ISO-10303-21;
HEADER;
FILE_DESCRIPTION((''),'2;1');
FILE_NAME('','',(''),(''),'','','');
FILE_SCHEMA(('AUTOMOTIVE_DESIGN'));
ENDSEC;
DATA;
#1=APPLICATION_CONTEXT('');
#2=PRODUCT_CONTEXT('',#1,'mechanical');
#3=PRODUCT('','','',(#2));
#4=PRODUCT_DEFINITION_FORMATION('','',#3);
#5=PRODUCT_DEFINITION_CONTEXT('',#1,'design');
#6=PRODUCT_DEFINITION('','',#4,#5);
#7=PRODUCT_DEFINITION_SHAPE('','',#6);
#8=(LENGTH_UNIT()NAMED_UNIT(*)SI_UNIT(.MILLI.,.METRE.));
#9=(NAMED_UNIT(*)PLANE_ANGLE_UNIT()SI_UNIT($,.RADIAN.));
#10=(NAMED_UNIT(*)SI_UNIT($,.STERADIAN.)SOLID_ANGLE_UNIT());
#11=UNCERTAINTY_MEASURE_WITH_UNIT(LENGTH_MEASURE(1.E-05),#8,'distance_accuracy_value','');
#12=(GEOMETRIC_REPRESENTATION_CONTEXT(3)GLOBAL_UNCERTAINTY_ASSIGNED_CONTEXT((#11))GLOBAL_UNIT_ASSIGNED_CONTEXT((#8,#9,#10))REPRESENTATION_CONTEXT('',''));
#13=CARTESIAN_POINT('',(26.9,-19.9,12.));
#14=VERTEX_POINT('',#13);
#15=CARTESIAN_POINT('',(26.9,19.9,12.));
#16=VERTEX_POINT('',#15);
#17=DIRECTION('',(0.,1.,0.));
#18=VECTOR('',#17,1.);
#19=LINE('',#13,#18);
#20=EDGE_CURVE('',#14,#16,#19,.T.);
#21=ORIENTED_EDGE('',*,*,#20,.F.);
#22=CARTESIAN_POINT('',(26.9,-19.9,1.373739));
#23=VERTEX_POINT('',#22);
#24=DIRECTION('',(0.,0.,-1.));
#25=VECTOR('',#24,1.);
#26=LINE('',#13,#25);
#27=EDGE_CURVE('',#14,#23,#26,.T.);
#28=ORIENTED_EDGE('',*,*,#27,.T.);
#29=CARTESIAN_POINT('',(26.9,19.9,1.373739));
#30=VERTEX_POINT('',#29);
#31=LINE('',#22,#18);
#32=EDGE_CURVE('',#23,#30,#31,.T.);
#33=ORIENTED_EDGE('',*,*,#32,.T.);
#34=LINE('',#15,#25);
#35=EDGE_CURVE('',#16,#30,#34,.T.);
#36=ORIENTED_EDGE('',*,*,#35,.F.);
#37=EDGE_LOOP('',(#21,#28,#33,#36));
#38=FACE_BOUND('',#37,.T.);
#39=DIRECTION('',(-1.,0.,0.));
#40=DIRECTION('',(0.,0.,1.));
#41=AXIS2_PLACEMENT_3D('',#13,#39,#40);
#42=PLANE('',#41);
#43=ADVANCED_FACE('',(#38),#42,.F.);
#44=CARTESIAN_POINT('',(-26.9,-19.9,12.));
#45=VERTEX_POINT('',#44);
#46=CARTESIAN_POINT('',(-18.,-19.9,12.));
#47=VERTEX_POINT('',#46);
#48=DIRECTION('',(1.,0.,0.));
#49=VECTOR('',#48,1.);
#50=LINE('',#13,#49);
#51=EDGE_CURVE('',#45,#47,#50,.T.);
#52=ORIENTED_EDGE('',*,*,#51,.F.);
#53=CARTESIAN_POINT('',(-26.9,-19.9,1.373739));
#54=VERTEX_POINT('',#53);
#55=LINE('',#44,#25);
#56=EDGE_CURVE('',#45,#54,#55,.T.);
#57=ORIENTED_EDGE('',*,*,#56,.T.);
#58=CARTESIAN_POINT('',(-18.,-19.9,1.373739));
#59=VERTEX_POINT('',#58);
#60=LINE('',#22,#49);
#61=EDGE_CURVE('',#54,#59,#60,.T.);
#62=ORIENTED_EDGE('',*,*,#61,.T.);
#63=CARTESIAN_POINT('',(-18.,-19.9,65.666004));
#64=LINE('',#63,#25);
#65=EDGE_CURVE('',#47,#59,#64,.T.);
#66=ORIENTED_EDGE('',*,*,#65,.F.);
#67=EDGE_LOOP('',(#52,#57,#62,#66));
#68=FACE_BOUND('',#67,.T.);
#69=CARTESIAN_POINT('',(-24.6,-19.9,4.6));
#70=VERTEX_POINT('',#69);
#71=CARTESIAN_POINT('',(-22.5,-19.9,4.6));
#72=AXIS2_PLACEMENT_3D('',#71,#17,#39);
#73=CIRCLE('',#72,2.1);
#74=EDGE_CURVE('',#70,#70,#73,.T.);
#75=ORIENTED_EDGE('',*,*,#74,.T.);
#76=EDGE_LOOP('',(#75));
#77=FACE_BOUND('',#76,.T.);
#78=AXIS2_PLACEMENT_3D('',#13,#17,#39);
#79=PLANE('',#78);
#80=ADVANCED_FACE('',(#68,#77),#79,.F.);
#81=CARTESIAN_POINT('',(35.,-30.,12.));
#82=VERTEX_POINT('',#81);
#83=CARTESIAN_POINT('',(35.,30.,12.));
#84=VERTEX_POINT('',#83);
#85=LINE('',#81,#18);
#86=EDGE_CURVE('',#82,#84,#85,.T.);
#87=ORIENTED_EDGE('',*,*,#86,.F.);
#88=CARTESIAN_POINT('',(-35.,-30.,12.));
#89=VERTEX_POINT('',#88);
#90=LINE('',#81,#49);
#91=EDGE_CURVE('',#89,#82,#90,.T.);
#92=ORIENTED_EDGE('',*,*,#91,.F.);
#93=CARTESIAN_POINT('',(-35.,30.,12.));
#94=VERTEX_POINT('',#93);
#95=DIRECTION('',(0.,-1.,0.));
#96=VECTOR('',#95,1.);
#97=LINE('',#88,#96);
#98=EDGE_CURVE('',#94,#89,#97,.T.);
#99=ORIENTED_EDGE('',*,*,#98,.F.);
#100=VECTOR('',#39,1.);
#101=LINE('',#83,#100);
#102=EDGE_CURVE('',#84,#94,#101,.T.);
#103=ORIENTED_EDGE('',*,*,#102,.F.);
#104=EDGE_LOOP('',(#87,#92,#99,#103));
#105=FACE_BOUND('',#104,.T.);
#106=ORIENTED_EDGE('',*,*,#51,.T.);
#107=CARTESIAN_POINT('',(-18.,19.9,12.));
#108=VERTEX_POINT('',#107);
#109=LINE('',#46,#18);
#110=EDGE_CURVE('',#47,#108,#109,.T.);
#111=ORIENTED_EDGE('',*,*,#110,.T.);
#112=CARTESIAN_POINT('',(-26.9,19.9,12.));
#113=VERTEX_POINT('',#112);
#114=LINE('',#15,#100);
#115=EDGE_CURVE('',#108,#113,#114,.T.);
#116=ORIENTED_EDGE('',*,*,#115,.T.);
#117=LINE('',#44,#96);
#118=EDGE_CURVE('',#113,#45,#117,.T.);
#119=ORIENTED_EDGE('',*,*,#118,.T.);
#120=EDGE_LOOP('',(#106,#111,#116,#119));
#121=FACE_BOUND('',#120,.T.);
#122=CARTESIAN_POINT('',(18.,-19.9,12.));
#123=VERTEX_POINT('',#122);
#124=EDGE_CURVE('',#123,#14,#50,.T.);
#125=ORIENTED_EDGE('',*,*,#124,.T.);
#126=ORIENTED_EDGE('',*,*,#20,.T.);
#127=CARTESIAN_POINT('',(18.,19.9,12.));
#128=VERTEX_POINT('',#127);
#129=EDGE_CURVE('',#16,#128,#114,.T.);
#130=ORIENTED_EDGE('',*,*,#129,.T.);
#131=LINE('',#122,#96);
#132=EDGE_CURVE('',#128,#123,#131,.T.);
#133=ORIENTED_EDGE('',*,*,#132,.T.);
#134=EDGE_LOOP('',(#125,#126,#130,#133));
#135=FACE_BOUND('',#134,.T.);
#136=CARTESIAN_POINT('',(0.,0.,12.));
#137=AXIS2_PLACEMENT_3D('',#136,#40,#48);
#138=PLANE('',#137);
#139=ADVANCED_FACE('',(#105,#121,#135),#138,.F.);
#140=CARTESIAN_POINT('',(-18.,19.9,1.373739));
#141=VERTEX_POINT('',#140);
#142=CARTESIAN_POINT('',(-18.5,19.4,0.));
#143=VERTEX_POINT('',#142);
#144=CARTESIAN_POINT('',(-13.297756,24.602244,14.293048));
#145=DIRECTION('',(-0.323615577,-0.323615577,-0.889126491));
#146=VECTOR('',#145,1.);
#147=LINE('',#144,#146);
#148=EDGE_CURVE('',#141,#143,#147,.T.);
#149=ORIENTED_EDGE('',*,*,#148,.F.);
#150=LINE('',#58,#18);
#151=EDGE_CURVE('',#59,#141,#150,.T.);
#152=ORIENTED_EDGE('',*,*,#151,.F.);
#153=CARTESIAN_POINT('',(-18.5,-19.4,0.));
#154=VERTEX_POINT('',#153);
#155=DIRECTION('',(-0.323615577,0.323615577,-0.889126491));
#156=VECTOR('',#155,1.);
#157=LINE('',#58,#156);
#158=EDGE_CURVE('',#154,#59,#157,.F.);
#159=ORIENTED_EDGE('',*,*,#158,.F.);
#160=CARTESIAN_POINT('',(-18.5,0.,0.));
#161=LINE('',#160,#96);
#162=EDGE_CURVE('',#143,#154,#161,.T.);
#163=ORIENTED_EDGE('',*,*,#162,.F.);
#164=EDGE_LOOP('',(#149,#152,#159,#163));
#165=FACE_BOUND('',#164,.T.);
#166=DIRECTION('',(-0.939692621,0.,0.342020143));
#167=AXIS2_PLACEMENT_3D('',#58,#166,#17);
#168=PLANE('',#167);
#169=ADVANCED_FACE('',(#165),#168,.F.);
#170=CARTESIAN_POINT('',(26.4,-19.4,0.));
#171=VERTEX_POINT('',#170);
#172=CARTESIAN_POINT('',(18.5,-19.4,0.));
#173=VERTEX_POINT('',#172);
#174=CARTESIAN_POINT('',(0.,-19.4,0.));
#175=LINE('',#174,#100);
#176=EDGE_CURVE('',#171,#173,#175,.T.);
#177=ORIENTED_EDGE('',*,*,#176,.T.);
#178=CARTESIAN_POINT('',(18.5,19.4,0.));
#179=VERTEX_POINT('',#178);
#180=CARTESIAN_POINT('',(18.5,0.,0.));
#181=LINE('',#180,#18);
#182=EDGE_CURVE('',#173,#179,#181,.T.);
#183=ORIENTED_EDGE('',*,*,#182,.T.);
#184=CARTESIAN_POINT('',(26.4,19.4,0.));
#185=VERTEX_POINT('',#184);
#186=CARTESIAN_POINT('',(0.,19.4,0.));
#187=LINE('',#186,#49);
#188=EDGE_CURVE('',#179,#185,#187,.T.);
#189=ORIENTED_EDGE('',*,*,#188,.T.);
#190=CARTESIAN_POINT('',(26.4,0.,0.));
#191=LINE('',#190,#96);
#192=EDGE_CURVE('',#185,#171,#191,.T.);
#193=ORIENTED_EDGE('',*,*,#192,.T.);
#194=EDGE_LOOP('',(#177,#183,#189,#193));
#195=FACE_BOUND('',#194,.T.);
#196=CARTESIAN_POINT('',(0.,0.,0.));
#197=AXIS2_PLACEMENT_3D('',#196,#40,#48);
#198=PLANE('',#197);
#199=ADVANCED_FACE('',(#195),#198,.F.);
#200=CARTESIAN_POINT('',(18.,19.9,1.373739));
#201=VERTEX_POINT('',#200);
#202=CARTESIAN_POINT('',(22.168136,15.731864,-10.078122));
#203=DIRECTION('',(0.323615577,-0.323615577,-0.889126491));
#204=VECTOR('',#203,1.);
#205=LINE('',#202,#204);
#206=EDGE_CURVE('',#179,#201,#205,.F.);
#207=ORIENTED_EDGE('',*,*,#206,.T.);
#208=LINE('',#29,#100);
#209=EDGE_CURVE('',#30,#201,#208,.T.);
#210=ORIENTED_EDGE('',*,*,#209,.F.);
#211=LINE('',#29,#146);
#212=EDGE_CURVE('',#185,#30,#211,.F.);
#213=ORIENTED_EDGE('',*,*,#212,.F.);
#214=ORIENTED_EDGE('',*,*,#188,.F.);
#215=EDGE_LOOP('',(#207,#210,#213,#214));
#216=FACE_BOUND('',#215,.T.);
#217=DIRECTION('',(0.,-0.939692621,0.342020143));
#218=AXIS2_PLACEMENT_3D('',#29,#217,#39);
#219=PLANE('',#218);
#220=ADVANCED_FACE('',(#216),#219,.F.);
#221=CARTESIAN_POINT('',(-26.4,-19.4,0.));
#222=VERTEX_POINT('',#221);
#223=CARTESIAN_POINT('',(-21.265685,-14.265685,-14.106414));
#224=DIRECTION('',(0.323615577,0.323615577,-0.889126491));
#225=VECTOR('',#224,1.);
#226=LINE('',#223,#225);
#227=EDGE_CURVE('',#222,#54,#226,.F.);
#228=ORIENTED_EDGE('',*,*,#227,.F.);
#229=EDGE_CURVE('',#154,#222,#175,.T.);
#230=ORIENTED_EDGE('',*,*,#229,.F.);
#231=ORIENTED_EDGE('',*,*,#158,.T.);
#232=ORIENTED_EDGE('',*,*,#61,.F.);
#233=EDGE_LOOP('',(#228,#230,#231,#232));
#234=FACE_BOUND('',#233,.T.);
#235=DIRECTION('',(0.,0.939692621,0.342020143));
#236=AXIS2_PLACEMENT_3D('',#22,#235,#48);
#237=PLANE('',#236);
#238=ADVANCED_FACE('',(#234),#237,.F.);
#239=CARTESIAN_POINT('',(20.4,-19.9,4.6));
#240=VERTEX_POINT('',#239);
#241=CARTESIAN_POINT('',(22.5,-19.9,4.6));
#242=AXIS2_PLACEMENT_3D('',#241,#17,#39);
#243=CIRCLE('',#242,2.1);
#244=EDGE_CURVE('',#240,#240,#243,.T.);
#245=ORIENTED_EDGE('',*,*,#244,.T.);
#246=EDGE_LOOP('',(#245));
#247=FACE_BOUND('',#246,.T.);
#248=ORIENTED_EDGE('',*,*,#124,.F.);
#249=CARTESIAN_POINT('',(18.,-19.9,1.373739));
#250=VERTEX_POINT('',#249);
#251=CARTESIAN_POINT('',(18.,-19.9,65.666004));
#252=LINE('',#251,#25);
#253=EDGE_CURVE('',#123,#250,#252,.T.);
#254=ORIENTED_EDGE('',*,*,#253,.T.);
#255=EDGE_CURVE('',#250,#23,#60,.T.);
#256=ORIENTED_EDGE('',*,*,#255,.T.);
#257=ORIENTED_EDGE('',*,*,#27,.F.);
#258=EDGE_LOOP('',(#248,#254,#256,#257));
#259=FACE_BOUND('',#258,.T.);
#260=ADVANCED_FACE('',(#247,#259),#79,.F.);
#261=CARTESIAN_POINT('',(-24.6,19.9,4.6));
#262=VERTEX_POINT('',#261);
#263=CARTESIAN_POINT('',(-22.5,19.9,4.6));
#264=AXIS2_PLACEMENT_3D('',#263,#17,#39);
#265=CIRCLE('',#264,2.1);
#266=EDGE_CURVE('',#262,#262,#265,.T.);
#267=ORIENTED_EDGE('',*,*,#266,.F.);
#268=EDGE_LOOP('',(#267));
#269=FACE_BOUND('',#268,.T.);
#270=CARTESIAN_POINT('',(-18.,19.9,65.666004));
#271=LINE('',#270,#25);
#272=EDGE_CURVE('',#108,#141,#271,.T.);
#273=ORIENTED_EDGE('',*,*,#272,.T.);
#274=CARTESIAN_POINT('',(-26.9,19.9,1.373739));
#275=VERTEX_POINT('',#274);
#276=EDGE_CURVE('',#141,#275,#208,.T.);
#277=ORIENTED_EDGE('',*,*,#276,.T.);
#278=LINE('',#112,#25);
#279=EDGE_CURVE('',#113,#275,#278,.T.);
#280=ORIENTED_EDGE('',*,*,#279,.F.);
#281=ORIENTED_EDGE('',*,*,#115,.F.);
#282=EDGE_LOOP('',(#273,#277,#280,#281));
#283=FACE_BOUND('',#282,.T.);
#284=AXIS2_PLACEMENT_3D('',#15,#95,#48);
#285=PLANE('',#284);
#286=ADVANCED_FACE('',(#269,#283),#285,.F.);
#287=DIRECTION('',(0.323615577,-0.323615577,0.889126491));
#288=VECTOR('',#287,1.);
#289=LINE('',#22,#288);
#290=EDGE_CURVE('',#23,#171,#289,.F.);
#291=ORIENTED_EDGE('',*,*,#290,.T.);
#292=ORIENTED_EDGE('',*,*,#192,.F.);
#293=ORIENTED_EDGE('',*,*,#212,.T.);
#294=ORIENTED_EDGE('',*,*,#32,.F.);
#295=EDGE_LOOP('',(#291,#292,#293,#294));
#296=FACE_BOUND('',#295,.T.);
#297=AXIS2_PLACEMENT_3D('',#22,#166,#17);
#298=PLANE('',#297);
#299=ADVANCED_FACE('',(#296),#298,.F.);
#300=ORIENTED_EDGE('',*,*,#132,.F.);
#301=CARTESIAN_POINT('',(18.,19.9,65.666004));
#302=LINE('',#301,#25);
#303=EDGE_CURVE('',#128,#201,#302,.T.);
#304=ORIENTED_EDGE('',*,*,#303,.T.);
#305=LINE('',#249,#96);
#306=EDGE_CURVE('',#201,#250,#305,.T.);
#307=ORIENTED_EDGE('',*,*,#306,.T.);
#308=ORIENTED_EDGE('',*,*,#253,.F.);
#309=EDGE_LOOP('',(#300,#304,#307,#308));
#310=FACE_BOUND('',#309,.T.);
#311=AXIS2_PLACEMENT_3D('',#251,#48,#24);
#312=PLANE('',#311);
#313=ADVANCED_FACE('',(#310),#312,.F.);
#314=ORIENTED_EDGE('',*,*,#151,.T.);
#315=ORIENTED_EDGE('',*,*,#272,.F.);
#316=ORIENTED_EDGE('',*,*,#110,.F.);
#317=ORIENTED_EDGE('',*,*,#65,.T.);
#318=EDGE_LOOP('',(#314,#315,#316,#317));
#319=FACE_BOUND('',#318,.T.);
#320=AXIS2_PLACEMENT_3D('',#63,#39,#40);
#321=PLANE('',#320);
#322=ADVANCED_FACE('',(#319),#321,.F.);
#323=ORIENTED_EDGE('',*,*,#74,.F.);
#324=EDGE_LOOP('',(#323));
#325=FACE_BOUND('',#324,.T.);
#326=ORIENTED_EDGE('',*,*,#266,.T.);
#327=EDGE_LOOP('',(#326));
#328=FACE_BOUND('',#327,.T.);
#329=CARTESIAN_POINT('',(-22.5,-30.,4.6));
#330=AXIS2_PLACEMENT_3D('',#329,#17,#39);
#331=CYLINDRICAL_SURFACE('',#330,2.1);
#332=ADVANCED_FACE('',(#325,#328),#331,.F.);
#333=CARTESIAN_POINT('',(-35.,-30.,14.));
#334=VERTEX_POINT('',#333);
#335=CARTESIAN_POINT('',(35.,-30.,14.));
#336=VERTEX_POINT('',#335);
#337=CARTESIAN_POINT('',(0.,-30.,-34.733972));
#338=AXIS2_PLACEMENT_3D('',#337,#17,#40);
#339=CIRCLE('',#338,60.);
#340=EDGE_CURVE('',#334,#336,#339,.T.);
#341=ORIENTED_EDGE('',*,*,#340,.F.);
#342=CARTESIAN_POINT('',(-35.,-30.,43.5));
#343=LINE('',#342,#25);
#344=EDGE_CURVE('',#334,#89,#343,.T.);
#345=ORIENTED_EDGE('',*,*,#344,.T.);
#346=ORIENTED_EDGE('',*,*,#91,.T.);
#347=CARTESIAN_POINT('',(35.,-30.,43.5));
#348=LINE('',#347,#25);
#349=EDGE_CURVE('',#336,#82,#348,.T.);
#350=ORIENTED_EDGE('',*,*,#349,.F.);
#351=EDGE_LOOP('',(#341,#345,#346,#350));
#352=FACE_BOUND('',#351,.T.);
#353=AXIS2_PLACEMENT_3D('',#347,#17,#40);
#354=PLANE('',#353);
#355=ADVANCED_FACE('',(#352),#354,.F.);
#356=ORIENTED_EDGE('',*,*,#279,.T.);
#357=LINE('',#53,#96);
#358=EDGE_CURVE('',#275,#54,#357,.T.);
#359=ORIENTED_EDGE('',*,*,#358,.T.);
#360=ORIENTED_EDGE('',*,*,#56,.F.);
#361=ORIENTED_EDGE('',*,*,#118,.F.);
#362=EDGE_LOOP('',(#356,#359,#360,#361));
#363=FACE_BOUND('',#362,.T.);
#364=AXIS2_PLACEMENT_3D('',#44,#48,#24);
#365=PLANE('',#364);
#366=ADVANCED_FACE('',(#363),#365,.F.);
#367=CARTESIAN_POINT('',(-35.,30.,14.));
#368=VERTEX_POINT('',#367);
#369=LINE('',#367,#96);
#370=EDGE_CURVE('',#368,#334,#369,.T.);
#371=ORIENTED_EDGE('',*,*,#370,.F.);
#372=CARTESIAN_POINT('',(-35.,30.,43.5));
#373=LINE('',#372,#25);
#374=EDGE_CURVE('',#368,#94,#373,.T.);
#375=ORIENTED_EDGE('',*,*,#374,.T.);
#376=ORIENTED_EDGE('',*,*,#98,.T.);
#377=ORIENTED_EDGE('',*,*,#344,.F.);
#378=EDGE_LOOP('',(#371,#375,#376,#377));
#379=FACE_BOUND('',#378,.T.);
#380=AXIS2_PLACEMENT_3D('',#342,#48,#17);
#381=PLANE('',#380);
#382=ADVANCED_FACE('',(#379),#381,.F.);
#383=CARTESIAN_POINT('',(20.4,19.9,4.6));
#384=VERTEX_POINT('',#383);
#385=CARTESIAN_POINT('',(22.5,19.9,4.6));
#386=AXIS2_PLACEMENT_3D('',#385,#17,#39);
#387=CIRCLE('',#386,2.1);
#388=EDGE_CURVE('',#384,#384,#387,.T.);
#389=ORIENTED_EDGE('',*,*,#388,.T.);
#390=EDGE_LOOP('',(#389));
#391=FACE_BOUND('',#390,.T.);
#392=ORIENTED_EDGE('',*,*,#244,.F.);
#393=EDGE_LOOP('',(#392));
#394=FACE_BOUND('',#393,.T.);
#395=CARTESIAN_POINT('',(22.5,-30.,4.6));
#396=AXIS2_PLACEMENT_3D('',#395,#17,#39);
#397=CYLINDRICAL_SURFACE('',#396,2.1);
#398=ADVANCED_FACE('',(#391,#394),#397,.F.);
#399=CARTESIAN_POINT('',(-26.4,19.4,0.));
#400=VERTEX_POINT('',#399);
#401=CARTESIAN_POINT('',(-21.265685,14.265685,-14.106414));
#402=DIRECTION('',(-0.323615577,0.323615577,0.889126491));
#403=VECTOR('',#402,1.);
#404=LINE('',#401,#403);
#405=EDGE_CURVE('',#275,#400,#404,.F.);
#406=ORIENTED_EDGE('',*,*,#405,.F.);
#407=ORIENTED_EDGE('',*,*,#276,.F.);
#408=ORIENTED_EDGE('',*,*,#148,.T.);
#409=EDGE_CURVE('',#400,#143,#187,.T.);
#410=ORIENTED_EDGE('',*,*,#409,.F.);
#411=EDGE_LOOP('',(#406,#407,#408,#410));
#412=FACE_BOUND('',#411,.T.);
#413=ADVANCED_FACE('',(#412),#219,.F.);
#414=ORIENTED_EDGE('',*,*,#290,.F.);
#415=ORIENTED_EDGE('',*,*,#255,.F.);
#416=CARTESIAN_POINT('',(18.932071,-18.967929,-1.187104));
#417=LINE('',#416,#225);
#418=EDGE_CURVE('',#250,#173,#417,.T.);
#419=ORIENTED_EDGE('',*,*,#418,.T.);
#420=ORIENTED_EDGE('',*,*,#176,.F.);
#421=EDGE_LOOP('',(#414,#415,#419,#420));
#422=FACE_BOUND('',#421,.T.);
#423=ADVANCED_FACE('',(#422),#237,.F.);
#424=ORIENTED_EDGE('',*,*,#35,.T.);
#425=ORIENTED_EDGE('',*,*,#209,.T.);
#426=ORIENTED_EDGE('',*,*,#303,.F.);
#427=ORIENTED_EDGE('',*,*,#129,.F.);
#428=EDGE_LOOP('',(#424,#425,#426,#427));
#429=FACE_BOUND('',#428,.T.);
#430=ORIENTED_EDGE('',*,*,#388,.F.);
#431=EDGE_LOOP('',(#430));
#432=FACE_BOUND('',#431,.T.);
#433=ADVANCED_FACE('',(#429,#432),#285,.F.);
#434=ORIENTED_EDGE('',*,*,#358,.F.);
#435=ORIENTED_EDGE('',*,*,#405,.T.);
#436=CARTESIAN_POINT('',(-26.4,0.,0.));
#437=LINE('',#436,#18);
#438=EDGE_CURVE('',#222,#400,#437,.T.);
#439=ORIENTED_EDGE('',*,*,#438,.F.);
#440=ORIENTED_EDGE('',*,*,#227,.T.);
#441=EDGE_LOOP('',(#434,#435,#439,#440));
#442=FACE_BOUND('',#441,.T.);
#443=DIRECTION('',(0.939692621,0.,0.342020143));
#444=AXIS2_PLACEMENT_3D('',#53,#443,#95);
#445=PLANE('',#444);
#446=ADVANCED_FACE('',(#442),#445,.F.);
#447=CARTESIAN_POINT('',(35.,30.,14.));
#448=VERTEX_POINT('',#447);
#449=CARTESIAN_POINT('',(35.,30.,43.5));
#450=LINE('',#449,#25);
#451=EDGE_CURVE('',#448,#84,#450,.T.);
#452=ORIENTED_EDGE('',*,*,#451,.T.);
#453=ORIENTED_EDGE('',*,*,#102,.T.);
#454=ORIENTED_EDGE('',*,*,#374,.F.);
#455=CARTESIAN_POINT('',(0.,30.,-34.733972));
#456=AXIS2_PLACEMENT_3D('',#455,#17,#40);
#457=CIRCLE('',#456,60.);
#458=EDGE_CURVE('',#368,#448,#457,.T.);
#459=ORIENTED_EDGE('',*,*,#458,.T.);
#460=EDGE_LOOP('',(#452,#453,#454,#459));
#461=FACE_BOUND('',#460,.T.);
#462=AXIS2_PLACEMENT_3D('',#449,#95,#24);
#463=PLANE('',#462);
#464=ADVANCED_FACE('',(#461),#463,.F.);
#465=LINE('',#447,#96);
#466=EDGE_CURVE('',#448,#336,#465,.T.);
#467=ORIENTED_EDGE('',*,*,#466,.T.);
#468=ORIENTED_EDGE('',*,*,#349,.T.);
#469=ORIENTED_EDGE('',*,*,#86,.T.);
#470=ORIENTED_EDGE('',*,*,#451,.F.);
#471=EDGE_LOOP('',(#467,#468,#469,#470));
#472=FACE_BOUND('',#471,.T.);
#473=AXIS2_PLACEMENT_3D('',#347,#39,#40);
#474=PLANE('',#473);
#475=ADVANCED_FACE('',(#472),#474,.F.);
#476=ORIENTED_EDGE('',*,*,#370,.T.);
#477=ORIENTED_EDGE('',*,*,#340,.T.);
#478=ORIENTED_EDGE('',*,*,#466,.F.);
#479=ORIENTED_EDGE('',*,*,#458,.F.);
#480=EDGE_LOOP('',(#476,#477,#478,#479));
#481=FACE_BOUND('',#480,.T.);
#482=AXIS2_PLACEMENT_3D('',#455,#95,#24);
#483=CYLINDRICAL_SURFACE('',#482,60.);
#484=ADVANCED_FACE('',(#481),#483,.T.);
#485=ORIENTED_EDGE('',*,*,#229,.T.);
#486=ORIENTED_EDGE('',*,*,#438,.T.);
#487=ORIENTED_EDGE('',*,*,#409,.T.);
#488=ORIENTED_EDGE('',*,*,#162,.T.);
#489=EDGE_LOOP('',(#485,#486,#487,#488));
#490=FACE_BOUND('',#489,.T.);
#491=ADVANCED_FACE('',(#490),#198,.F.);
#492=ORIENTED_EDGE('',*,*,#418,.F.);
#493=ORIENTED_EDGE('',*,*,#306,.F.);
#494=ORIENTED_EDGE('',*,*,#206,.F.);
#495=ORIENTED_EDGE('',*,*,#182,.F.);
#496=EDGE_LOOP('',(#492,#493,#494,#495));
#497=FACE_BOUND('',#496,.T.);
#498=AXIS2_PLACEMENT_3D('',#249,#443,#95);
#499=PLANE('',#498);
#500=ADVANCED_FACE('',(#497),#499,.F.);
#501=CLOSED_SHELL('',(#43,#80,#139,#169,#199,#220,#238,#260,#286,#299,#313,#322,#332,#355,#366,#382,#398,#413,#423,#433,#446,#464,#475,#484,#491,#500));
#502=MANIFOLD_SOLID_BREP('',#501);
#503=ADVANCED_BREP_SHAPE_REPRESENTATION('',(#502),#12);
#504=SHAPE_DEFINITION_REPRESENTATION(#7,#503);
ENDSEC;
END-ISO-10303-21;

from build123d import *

# Parameters (mm, degrees)
SKETCH2_W             = 53.8
SKETCH2_H             = 39.8
BOSS_EXTRUDE1_DEPTH   = 12
SKETCH3_W             = 70
SKETCH3_H             = 60
BOSS_EXTRUDE2_DEPTH   = 31.5
SKETCH4_R             = 2.1
CUT_EXTRUDE1_DEPTH    = 50.9
SKETCH5_W             = 36
SKETCH5_H             = 39.8
CUT_EXTRUDE2_DEPTH    = 12
CHAMFER1_SIZE         = 0.5
CHAMFER1_SIZE2        = 1.37373871
CHAMFER1_PART_2_SIZE  = 0.5
CHAMFER1_PART_2_SIZE2 = 1.37373871
CUT_EXTRUDE13_DEPTH   = 61


with BuildPart() as part:
    # Sketch2 → Boss-Extrude1 (new body)
    with BuildSketch(Plane.XY):
        Rectangle(SKETCH2_W, SKETCH2_H)
    extrude(amount=BOSS_EXTRUDE1_DEPTH)

    # Sketch3 → Boss-Extrude2 (add)
    with BuildSketch(Plane.XY.offset(12)):
        Rectangle(SKETCH3_W, SKETCH3_H)
    extrude(amount=BOSS_EXTRUDE2_DEPTH)

    # Sketch4 → Cut-Extrude1 (cut, through all)
    with BuildSketch(Plane(origin=(0, 19.9, 0), x_dir=(1, 0, 0), z_dir=(0, 1, 0))):
        with Locations((22.5, -4.6)):
            Circle(SKETCH4_R)
        with Locations((-22.5, -4.6)):
            Circle(SKETCH4_R)
    extrude(amount=-CUT_EXTRUDE1_DEPTH, mode=Mode.SUBTRACT)

    # Sketch5 → Cut-Extrude2 (cut)
    with BuildSketch(Plane(origin=(0, 0, 0), x_dir=(-1, 0, 0), z_dir=(0, 0, -1))):
        Rectangle(SKETCH5_W, SKETCH5_H)
    extrude(amount=-CUT_EXTRUDE2_DEPTH, mode=Mode.SUBTRACT)

    # Chamfer1
    chamfer1_edges = [part.edges().sort_by_distance(p)[0] for p in [
        (-22.45, 19.9, 0),
        (-18, 0, 0),
        (-22.45, -19.9, 0),
        (-26.9, 0, 0),
    ]]
    chamfer1_side = [part.faces().sort_by_distance(p)[0] for p in [
        (-22.45, 0, 0),
    ]]
    chamfer(chamfer1_edges, length=CHAMFER1_SIZE, length2=CHAMFER1_SIZE2, reference=chamfer1_side[0])

    # Chamfer1 part 2
    chamfer1_part_2_edges = [part.edges().sort_by_distance(p)[0] for p in [
        (22.45, -19.9, 0),
        (18, 0, 0),
        (22.45, 19.9, 0),
        (26.9, 0, 0),
    ]]
    chamfer1_part_2_side = [part.faces().sort_by_distance(p)[0] for p in [
        (22.45, 0, 0),
    ]]
    chamfer(chamfer1_part_2_edges, length=CHAMFER1_PART_2_SIZE, length2=CHAMFER1_PART_2_SIZE2, reference=chamfer1_part_2_side[0])

    # Sketch27 → Cut-Extrude13 (cut, through all)
    with BuildSketch(Plane.XZ.offset(30)):
        with BuildLine():
            ThreePointArc((-35, 14), (0, 25.266028276), (35, 14))
            ThreePointArc((35, 14), (0, 140.049707845), (-35, 14))
        make_face()
    extrude(amount=-CUT_EXTRUDE13_DEPTH, mode=Mode.SUBTRACT)


solid = part.part
